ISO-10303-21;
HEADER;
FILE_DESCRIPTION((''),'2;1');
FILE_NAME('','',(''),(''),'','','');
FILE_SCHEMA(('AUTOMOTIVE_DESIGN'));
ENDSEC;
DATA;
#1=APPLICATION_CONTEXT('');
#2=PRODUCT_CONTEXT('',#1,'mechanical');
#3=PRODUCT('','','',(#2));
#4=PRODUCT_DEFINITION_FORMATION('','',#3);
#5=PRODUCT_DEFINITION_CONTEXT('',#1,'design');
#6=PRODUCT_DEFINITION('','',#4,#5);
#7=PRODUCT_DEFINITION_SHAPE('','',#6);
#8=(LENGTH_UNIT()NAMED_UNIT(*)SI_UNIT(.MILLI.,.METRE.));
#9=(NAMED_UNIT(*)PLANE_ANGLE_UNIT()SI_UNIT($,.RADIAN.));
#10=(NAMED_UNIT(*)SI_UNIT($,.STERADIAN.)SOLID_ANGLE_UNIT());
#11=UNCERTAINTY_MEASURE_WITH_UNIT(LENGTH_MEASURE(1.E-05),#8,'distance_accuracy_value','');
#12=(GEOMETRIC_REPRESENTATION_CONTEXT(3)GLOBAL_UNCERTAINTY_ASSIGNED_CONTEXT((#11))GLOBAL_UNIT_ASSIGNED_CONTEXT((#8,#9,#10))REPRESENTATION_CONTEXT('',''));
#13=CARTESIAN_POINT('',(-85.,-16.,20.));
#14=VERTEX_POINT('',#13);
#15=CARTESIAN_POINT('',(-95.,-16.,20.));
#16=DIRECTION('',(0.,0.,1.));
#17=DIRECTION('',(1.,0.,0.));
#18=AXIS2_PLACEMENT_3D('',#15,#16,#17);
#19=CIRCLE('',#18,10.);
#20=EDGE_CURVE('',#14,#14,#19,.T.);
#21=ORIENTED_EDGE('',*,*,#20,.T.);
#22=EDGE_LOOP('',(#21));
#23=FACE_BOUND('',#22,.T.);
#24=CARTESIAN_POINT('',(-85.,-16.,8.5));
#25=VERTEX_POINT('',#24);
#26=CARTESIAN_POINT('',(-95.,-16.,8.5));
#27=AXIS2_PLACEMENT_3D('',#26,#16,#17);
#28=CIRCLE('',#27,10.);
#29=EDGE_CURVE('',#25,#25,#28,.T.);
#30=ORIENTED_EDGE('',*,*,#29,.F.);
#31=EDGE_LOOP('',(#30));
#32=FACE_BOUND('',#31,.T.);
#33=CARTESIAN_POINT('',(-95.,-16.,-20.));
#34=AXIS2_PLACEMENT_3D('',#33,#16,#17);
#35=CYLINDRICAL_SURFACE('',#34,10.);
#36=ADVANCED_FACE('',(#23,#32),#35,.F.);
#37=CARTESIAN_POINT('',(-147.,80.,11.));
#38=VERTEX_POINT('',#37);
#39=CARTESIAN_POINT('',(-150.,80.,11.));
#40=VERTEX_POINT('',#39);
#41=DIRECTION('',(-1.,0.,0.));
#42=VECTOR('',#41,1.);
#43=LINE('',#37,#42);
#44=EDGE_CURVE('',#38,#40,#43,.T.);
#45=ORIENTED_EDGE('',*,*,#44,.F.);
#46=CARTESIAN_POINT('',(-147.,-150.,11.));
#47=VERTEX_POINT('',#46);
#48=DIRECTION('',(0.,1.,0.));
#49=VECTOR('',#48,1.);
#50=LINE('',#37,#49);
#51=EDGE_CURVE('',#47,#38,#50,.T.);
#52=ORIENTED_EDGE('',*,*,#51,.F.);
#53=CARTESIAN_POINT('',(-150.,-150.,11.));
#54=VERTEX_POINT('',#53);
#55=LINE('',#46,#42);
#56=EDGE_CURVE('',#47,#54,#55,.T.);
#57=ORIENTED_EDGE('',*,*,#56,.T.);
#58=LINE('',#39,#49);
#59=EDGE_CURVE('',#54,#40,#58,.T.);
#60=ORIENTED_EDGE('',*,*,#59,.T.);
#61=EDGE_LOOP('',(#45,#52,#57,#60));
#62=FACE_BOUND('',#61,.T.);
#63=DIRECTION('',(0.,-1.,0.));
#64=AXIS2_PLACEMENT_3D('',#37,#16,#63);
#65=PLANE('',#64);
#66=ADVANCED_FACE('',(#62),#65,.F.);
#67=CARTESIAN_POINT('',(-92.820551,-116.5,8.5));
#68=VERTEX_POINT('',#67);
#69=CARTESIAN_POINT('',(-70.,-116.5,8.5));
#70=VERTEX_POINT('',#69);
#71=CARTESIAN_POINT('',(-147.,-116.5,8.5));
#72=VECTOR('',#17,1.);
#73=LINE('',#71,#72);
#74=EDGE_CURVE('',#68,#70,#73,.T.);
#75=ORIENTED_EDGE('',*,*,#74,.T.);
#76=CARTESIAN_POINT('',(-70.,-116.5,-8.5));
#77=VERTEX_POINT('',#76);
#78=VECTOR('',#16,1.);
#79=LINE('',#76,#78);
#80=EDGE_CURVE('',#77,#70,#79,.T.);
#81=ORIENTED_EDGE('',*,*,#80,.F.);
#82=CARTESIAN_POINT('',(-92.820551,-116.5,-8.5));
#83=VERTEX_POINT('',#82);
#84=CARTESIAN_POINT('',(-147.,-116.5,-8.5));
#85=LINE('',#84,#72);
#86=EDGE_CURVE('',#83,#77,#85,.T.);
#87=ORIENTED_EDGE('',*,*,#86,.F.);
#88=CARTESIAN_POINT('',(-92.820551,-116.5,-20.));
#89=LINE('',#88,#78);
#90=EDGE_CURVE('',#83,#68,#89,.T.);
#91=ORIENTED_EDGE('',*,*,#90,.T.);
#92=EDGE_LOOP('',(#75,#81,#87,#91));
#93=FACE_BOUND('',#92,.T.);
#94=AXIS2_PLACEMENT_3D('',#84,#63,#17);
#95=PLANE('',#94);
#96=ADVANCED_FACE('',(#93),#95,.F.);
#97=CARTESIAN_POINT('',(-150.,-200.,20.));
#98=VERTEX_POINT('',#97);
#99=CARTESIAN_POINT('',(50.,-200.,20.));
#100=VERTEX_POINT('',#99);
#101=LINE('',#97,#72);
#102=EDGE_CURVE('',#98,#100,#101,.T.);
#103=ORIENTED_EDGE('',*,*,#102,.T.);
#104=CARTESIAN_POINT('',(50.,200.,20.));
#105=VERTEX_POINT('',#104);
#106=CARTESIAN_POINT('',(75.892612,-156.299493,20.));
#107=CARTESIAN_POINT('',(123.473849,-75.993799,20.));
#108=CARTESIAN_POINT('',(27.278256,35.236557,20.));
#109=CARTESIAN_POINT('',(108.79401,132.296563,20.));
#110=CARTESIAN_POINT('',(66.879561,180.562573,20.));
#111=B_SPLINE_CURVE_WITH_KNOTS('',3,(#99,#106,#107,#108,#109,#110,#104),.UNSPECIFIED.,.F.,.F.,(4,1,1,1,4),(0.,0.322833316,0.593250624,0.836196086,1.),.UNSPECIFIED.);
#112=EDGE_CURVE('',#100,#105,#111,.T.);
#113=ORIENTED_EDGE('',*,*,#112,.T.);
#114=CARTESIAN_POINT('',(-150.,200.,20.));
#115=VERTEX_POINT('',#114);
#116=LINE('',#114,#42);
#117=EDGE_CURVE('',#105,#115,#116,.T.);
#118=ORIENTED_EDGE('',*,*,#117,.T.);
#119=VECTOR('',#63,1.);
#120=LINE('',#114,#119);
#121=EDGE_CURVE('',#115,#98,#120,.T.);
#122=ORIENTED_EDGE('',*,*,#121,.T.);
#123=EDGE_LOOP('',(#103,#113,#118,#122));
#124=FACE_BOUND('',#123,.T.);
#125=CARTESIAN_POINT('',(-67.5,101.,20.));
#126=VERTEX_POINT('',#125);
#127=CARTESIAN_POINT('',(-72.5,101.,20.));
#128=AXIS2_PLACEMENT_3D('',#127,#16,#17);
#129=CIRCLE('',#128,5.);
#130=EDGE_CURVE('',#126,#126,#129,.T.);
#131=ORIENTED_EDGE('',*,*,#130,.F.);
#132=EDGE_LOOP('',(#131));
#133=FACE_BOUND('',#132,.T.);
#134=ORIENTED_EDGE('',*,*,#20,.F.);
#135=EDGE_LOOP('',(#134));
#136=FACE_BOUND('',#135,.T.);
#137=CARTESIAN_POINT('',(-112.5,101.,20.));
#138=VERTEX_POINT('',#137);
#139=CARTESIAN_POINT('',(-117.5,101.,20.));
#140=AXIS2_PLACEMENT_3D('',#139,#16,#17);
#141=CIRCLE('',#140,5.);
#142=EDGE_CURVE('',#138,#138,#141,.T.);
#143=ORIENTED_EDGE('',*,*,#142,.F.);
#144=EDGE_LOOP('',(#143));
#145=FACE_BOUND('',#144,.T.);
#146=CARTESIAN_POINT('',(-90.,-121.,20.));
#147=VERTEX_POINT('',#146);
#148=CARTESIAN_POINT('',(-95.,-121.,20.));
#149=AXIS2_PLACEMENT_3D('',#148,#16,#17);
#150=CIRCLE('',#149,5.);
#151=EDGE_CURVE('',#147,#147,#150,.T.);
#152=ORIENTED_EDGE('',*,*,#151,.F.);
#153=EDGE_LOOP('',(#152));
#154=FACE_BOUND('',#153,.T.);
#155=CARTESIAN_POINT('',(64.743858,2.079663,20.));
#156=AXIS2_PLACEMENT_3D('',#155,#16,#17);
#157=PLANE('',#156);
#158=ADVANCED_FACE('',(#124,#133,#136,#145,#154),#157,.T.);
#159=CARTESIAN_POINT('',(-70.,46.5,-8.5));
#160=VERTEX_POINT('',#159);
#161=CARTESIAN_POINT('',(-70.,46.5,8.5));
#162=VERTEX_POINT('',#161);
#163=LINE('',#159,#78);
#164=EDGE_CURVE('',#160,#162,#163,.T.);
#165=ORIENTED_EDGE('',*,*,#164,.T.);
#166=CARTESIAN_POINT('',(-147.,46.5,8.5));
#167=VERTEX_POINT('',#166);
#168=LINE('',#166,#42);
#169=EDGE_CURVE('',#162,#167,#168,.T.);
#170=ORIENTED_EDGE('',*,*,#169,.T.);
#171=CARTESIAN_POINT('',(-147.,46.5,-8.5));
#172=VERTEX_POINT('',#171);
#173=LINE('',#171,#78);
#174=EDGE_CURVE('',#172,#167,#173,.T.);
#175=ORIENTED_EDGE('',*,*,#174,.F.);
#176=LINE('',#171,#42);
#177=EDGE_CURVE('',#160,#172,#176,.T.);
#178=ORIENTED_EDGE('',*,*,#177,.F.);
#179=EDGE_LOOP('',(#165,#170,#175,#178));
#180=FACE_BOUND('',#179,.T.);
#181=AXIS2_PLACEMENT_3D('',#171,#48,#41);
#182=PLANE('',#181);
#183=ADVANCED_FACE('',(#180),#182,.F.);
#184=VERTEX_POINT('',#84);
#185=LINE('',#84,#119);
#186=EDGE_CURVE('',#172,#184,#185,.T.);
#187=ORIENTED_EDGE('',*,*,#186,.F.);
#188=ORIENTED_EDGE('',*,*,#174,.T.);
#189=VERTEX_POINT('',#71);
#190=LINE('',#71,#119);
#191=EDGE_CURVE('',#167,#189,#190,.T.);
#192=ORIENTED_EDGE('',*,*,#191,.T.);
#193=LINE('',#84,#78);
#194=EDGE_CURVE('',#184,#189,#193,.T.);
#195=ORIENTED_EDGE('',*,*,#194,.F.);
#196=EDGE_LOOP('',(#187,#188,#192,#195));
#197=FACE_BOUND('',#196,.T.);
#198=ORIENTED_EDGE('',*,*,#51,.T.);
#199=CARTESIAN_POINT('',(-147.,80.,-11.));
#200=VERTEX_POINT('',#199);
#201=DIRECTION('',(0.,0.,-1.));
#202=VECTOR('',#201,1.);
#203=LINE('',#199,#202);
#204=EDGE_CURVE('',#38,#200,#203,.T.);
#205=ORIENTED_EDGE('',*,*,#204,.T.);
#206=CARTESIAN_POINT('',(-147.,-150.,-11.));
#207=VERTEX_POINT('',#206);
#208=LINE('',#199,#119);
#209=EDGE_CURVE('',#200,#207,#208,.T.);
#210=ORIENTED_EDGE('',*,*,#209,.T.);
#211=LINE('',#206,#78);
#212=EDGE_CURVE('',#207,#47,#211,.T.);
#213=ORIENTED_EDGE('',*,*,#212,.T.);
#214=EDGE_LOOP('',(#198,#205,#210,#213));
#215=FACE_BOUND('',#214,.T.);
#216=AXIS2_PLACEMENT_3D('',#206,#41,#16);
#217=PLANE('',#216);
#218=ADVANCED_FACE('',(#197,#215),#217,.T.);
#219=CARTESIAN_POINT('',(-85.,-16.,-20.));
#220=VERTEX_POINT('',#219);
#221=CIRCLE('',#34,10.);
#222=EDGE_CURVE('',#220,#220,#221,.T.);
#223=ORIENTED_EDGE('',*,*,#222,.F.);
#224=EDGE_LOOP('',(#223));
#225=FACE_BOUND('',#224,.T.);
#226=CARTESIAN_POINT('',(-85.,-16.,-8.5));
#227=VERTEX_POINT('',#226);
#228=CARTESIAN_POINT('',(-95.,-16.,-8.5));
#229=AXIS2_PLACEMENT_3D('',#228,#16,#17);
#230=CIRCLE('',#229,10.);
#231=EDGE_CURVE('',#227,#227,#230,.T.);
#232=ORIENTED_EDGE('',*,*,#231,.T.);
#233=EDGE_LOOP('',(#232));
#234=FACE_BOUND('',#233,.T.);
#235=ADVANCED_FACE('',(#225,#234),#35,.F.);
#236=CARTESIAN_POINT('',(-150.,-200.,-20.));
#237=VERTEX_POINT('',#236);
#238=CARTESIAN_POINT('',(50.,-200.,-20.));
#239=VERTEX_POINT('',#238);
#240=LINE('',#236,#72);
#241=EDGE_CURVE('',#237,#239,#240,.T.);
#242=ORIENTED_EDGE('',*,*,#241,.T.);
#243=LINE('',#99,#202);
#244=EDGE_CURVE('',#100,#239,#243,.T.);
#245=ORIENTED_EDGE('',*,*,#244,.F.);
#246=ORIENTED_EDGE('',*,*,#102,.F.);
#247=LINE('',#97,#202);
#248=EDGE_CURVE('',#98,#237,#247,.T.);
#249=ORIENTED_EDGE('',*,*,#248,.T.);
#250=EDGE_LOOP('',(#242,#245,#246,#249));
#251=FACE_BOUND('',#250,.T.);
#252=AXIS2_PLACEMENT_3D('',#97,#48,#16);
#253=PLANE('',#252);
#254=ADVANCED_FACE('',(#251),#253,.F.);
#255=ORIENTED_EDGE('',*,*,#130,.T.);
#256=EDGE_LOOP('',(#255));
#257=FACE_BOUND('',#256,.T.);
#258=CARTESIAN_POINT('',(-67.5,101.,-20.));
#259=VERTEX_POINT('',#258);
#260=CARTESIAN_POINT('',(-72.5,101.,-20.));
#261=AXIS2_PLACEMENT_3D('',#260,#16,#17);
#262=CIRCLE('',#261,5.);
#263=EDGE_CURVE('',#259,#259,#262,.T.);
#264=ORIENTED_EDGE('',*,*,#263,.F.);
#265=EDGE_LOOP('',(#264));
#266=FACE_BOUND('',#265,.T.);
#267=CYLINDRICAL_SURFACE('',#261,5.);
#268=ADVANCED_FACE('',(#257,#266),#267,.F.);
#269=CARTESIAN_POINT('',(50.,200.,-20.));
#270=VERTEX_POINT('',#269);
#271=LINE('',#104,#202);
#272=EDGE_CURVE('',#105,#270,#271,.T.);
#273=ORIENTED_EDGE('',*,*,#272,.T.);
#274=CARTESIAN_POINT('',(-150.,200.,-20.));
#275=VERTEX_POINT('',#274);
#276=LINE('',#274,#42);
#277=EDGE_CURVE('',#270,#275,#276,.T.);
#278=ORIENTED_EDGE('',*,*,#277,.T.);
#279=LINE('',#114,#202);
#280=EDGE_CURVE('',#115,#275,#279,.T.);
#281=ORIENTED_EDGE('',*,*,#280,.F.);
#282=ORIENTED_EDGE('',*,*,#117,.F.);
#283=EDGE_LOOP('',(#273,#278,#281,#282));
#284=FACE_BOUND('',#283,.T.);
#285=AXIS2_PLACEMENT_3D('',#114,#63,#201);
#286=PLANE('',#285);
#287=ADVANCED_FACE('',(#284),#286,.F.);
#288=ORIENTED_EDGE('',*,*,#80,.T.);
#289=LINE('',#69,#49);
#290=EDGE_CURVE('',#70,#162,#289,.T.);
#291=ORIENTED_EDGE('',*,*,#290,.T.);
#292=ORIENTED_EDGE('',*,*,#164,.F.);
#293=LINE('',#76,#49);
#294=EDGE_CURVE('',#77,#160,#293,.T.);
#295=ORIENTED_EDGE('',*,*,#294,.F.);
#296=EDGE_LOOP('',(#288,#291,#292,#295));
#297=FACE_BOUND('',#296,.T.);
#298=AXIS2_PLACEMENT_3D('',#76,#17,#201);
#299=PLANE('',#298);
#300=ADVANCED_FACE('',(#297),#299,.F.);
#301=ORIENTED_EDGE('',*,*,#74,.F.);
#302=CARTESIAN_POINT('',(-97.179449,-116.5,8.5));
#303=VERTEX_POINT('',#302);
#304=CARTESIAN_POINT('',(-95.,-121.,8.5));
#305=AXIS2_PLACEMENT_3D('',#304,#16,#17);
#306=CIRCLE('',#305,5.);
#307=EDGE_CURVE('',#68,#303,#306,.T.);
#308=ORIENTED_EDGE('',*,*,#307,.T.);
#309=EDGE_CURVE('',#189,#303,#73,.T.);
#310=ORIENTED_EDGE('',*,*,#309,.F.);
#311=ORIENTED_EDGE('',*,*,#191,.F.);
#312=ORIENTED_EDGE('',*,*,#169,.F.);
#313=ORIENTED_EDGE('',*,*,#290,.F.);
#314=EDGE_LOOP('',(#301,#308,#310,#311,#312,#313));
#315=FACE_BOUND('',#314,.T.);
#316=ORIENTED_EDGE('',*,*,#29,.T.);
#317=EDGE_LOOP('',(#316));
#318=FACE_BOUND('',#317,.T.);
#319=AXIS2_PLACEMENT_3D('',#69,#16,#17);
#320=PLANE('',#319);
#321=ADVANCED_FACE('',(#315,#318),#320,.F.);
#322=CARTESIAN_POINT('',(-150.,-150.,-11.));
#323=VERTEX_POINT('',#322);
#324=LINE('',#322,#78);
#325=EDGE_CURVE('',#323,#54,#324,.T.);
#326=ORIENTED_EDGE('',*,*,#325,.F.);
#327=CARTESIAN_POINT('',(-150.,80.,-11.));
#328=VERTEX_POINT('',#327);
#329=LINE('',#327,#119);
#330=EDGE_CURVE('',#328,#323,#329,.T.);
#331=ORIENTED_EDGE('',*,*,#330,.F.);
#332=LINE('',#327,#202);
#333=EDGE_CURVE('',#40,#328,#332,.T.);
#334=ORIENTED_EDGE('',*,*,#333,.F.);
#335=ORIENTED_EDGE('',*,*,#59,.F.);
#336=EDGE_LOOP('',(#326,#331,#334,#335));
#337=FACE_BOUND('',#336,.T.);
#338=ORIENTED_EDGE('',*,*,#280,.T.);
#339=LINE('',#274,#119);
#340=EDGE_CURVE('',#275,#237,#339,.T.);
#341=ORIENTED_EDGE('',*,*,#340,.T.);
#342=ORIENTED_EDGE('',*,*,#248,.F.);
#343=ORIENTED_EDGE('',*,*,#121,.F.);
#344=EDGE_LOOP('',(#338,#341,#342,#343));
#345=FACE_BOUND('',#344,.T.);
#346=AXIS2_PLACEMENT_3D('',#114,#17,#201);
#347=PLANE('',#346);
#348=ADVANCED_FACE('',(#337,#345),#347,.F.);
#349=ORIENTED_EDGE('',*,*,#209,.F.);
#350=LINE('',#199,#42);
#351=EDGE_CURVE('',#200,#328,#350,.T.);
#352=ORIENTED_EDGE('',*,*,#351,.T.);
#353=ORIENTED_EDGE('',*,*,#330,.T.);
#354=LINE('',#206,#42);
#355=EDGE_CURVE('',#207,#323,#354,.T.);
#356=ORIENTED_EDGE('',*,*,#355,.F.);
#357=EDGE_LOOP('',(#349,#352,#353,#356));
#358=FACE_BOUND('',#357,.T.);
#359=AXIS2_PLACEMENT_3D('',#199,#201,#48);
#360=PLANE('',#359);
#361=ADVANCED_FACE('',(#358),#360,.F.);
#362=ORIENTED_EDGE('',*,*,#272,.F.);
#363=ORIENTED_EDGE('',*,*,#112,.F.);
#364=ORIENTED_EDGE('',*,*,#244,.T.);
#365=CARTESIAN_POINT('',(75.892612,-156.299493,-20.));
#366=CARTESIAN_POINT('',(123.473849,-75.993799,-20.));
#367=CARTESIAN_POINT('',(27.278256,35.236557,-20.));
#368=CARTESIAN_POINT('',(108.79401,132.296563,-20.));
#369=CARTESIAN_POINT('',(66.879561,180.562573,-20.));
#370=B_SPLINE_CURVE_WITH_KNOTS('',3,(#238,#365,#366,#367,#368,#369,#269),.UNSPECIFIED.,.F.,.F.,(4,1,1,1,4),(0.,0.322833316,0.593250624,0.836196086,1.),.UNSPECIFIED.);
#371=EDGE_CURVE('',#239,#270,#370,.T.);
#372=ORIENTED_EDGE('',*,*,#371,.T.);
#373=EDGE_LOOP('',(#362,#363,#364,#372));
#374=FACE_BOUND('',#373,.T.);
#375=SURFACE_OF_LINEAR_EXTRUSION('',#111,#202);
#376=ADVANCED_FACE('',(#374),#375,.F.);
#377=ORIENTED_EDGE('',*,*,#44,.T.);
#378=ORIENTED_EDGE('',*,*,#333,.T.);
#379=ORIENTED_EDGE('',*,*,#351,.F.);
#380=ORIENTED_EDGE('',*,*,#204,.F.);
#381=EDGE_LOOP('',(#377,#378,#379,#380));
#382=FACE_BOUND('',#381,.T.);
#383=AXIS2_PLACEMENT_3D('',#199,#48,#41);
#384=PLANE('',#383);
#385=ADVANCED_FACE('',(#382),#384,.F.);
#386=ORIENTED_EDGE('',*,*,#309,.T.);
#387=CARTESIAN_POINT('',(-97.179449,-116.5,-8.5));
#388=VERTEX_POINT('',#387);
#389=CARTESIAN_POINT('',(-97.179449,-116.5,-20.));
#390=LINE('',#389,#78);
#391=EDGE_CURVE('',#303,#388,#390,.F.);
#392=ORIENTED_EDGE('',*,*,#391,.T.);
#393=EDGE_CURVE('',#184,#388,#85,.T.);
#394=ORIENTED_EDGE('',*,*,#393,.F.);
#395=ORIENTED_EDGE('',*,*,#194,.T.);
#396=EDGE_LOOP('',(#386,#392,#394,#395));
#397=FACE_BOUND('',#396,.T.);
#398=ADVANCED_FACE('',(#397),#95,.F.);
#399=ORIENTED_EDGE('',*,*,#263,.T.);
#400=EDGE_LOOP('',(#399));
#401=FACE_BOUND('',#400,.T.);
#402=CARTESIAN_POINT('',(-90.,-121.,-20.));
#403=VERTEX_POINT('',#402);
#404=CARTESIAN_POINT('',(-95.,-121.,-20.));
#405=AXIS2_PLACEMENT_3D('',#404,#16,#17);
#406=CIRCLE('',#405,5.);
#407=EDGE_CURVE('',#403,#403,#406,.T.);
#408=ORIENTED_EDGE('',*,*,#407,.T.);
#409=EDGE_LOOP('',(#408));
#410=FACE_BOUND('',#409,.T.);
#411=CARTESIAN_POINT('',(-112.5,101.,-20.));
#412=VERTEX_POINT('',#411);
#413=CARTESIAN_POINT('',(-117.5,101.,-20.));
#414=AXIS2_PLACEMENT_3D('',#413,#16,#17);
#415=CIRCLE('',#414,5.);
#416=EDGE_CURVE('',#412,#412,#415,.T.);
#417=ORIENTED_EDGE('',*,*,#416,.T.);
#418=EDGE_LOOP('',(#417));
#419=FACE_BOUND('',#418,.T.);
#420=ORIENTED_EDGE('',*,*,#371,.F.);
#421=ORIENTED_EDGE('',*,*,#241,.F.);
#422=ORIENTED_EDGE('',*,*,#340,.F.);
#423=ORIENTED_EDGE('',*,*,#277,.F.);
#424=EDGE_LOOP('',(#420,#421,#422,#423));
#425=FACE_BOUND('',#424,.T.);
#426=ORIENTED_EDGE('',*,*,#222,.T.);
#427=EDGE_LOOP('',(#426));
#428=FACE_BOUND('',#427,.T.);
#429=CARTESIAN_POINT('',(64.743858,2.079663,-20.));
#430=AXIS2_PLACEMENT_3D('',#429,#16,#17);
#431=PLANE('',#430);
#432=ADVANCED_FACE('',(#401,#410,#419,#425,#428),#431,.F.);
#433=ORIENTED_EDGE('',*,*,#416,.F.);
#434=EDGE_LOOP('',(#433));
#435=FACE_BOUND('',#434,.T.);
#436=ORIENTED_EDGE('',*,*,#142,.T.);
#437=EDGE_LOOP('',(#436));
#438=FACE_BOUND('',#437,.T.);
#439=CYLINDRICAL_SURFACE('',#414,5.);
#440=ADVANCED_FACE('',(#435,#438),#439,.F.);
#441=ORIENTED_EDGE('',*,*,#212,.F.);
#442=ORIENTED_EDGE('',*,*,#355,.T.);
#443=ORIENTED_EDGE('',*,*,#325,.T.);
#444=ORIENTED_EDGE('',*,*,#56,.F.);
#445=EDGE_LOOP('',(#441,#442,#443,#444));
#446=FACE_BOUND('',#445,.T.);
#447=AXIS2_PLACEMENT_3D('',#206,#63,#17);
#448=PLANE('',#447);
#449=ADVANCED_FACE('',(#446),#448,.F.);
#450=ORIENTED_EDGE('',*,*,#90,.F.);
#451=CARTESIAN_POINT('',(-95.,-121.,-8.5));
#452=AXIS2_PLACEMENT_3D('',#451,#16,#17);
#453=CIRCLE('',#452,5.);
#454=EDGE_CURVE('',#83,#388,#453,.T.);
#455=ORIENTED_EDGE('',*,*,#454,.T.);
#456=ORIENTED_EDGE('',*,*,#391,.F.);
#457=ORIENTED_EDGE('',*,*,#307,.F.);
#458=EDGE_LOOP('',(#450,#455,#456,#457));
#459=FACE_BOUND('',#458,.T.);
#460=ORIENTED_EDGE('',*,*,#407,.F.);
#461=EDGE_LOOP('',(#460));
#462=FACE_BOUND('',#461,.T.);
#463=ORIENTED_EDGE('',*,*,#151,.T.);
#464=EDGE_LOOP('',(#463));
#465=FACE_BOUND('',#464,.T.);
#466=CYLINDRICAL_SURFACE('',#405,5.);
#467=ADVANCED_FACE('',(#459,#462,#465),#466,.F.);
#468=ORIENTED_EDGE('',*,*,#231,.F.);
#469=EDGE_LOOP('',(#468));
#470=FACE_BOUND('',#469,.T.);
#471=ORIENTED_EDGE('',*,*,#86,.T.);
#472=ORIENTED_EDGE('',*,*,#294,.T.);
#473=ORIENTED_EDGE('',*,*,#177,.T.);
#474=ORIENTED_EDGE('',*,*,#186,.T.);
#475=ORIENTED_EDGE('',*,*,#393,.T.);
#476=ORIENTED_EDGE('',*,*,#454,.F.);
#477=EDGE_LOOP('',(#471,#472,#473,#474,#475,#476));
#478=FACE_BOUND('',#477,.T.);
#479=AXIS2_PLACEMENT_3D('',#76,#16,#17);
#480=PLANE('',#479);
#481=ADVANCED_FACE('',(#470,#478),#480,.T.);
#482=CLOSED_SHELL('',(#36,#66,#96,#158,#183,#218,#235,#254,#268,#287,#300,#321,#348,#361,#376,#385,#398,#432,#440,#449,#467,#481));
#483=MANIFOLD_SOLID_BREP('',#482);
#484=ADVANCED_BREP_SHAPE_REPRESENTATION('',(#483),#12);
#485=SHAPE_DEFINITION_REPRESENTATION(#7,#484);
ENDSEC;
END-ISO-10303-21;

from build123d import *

# Parameters (mm, degrees)
EXTRUSION1_DEPTH        = 20
ESQUISSE2_W             = 22
ESQUISSE2_H             = 230
ENL_V_MAT_EXTRU_1_DEPTH = 3
ESQUISSE3_W             = 163
ESQUISSE3_H             = 77
ENL_V_MAT_EXTRU_2_DEPTH = 8.5
ESQUISSE4_R             = 10
ESQUISSE4_R_2           = 5
ENL_V_MAT_EXTRU_3_DEPTH = 41.0000001


with BuildPart() as part:
    # Esquisse1 → Extrusion1 (new body, symmetric)
    with BuildSketch(Plane.XY):
        with BuildLine():
            Line((-150, 200), (50, 200))
            add(Edge.make_bspline(
                [(50, 200), (66.879560662, 180.562572919), (108.794009551, 132.296562907), (27.278256401, 35.236557066), (123.473848535, -75.99379889), (75.892612143, -156.299492504), (50, -200)],
                knots=[0, 0, 0, 0, 0.163803914, 0.406749376, 0.677166684, 1, 1, 1, 1], degree=3))
            Line((50, -200), (-150, -200))
            Line((-150, -200), (-150, 200))
        make_face()
    extrude(amount=EXTRUSION1_DEPTH, both=True)

    # Esquisse2 → Enlèv. mat.-Extru.1 (cut)
    with BuildSketch(Plane.ZY.offset(150)):
        with Locations((0, -35)):
            Rectangle(ESQUISSE2_W, ESQUISSE2_H)
    extrude(amount=-ENL_V_MAT_EXTRU_1_DEPTH, mode=Mode.SUBTRACT)

    # Esquisse3 → Enlèv. mat.-Extru.2 (cut, symmetric)
    with BuildSketch(Plane(origin=(37.152504758, -36.321343777, 0), x_dir=(0, 1, 0), z_dir=(0, 0, 1))):
        with Locations((1.321343777, 145.652504758)):
            Rectangle(ESQUISSE3_W, ESQUISSE3_H)
    extrude(amount=ENL_V_MAT_EXTRU_2_DEPTH, both=True, mode=Mode.SUBTRACT)

    # Esquisse4 → Enlèv. mat.-Extru.3 (cut, through all)
    with BuildSketch(Plane.XY.offset(20)):
        with Locations((-95, -16)):
            Circle(ESQUISSE4_R)
        with Locations((-117.5, 101)):
            Circle(ESQUISSE4_R_2)
        with Locations((-95, -121)):
            Circle(ESQUISSE4_R_2)
        with Locations((-72.5, 101)):
            Circle(ESQUISSE4_R_2)
    extrude(amount=-ENL_V_MAT_EXTRU_3_DEPTH, mode=Mode.SUBTRACT)


solid = part.part
